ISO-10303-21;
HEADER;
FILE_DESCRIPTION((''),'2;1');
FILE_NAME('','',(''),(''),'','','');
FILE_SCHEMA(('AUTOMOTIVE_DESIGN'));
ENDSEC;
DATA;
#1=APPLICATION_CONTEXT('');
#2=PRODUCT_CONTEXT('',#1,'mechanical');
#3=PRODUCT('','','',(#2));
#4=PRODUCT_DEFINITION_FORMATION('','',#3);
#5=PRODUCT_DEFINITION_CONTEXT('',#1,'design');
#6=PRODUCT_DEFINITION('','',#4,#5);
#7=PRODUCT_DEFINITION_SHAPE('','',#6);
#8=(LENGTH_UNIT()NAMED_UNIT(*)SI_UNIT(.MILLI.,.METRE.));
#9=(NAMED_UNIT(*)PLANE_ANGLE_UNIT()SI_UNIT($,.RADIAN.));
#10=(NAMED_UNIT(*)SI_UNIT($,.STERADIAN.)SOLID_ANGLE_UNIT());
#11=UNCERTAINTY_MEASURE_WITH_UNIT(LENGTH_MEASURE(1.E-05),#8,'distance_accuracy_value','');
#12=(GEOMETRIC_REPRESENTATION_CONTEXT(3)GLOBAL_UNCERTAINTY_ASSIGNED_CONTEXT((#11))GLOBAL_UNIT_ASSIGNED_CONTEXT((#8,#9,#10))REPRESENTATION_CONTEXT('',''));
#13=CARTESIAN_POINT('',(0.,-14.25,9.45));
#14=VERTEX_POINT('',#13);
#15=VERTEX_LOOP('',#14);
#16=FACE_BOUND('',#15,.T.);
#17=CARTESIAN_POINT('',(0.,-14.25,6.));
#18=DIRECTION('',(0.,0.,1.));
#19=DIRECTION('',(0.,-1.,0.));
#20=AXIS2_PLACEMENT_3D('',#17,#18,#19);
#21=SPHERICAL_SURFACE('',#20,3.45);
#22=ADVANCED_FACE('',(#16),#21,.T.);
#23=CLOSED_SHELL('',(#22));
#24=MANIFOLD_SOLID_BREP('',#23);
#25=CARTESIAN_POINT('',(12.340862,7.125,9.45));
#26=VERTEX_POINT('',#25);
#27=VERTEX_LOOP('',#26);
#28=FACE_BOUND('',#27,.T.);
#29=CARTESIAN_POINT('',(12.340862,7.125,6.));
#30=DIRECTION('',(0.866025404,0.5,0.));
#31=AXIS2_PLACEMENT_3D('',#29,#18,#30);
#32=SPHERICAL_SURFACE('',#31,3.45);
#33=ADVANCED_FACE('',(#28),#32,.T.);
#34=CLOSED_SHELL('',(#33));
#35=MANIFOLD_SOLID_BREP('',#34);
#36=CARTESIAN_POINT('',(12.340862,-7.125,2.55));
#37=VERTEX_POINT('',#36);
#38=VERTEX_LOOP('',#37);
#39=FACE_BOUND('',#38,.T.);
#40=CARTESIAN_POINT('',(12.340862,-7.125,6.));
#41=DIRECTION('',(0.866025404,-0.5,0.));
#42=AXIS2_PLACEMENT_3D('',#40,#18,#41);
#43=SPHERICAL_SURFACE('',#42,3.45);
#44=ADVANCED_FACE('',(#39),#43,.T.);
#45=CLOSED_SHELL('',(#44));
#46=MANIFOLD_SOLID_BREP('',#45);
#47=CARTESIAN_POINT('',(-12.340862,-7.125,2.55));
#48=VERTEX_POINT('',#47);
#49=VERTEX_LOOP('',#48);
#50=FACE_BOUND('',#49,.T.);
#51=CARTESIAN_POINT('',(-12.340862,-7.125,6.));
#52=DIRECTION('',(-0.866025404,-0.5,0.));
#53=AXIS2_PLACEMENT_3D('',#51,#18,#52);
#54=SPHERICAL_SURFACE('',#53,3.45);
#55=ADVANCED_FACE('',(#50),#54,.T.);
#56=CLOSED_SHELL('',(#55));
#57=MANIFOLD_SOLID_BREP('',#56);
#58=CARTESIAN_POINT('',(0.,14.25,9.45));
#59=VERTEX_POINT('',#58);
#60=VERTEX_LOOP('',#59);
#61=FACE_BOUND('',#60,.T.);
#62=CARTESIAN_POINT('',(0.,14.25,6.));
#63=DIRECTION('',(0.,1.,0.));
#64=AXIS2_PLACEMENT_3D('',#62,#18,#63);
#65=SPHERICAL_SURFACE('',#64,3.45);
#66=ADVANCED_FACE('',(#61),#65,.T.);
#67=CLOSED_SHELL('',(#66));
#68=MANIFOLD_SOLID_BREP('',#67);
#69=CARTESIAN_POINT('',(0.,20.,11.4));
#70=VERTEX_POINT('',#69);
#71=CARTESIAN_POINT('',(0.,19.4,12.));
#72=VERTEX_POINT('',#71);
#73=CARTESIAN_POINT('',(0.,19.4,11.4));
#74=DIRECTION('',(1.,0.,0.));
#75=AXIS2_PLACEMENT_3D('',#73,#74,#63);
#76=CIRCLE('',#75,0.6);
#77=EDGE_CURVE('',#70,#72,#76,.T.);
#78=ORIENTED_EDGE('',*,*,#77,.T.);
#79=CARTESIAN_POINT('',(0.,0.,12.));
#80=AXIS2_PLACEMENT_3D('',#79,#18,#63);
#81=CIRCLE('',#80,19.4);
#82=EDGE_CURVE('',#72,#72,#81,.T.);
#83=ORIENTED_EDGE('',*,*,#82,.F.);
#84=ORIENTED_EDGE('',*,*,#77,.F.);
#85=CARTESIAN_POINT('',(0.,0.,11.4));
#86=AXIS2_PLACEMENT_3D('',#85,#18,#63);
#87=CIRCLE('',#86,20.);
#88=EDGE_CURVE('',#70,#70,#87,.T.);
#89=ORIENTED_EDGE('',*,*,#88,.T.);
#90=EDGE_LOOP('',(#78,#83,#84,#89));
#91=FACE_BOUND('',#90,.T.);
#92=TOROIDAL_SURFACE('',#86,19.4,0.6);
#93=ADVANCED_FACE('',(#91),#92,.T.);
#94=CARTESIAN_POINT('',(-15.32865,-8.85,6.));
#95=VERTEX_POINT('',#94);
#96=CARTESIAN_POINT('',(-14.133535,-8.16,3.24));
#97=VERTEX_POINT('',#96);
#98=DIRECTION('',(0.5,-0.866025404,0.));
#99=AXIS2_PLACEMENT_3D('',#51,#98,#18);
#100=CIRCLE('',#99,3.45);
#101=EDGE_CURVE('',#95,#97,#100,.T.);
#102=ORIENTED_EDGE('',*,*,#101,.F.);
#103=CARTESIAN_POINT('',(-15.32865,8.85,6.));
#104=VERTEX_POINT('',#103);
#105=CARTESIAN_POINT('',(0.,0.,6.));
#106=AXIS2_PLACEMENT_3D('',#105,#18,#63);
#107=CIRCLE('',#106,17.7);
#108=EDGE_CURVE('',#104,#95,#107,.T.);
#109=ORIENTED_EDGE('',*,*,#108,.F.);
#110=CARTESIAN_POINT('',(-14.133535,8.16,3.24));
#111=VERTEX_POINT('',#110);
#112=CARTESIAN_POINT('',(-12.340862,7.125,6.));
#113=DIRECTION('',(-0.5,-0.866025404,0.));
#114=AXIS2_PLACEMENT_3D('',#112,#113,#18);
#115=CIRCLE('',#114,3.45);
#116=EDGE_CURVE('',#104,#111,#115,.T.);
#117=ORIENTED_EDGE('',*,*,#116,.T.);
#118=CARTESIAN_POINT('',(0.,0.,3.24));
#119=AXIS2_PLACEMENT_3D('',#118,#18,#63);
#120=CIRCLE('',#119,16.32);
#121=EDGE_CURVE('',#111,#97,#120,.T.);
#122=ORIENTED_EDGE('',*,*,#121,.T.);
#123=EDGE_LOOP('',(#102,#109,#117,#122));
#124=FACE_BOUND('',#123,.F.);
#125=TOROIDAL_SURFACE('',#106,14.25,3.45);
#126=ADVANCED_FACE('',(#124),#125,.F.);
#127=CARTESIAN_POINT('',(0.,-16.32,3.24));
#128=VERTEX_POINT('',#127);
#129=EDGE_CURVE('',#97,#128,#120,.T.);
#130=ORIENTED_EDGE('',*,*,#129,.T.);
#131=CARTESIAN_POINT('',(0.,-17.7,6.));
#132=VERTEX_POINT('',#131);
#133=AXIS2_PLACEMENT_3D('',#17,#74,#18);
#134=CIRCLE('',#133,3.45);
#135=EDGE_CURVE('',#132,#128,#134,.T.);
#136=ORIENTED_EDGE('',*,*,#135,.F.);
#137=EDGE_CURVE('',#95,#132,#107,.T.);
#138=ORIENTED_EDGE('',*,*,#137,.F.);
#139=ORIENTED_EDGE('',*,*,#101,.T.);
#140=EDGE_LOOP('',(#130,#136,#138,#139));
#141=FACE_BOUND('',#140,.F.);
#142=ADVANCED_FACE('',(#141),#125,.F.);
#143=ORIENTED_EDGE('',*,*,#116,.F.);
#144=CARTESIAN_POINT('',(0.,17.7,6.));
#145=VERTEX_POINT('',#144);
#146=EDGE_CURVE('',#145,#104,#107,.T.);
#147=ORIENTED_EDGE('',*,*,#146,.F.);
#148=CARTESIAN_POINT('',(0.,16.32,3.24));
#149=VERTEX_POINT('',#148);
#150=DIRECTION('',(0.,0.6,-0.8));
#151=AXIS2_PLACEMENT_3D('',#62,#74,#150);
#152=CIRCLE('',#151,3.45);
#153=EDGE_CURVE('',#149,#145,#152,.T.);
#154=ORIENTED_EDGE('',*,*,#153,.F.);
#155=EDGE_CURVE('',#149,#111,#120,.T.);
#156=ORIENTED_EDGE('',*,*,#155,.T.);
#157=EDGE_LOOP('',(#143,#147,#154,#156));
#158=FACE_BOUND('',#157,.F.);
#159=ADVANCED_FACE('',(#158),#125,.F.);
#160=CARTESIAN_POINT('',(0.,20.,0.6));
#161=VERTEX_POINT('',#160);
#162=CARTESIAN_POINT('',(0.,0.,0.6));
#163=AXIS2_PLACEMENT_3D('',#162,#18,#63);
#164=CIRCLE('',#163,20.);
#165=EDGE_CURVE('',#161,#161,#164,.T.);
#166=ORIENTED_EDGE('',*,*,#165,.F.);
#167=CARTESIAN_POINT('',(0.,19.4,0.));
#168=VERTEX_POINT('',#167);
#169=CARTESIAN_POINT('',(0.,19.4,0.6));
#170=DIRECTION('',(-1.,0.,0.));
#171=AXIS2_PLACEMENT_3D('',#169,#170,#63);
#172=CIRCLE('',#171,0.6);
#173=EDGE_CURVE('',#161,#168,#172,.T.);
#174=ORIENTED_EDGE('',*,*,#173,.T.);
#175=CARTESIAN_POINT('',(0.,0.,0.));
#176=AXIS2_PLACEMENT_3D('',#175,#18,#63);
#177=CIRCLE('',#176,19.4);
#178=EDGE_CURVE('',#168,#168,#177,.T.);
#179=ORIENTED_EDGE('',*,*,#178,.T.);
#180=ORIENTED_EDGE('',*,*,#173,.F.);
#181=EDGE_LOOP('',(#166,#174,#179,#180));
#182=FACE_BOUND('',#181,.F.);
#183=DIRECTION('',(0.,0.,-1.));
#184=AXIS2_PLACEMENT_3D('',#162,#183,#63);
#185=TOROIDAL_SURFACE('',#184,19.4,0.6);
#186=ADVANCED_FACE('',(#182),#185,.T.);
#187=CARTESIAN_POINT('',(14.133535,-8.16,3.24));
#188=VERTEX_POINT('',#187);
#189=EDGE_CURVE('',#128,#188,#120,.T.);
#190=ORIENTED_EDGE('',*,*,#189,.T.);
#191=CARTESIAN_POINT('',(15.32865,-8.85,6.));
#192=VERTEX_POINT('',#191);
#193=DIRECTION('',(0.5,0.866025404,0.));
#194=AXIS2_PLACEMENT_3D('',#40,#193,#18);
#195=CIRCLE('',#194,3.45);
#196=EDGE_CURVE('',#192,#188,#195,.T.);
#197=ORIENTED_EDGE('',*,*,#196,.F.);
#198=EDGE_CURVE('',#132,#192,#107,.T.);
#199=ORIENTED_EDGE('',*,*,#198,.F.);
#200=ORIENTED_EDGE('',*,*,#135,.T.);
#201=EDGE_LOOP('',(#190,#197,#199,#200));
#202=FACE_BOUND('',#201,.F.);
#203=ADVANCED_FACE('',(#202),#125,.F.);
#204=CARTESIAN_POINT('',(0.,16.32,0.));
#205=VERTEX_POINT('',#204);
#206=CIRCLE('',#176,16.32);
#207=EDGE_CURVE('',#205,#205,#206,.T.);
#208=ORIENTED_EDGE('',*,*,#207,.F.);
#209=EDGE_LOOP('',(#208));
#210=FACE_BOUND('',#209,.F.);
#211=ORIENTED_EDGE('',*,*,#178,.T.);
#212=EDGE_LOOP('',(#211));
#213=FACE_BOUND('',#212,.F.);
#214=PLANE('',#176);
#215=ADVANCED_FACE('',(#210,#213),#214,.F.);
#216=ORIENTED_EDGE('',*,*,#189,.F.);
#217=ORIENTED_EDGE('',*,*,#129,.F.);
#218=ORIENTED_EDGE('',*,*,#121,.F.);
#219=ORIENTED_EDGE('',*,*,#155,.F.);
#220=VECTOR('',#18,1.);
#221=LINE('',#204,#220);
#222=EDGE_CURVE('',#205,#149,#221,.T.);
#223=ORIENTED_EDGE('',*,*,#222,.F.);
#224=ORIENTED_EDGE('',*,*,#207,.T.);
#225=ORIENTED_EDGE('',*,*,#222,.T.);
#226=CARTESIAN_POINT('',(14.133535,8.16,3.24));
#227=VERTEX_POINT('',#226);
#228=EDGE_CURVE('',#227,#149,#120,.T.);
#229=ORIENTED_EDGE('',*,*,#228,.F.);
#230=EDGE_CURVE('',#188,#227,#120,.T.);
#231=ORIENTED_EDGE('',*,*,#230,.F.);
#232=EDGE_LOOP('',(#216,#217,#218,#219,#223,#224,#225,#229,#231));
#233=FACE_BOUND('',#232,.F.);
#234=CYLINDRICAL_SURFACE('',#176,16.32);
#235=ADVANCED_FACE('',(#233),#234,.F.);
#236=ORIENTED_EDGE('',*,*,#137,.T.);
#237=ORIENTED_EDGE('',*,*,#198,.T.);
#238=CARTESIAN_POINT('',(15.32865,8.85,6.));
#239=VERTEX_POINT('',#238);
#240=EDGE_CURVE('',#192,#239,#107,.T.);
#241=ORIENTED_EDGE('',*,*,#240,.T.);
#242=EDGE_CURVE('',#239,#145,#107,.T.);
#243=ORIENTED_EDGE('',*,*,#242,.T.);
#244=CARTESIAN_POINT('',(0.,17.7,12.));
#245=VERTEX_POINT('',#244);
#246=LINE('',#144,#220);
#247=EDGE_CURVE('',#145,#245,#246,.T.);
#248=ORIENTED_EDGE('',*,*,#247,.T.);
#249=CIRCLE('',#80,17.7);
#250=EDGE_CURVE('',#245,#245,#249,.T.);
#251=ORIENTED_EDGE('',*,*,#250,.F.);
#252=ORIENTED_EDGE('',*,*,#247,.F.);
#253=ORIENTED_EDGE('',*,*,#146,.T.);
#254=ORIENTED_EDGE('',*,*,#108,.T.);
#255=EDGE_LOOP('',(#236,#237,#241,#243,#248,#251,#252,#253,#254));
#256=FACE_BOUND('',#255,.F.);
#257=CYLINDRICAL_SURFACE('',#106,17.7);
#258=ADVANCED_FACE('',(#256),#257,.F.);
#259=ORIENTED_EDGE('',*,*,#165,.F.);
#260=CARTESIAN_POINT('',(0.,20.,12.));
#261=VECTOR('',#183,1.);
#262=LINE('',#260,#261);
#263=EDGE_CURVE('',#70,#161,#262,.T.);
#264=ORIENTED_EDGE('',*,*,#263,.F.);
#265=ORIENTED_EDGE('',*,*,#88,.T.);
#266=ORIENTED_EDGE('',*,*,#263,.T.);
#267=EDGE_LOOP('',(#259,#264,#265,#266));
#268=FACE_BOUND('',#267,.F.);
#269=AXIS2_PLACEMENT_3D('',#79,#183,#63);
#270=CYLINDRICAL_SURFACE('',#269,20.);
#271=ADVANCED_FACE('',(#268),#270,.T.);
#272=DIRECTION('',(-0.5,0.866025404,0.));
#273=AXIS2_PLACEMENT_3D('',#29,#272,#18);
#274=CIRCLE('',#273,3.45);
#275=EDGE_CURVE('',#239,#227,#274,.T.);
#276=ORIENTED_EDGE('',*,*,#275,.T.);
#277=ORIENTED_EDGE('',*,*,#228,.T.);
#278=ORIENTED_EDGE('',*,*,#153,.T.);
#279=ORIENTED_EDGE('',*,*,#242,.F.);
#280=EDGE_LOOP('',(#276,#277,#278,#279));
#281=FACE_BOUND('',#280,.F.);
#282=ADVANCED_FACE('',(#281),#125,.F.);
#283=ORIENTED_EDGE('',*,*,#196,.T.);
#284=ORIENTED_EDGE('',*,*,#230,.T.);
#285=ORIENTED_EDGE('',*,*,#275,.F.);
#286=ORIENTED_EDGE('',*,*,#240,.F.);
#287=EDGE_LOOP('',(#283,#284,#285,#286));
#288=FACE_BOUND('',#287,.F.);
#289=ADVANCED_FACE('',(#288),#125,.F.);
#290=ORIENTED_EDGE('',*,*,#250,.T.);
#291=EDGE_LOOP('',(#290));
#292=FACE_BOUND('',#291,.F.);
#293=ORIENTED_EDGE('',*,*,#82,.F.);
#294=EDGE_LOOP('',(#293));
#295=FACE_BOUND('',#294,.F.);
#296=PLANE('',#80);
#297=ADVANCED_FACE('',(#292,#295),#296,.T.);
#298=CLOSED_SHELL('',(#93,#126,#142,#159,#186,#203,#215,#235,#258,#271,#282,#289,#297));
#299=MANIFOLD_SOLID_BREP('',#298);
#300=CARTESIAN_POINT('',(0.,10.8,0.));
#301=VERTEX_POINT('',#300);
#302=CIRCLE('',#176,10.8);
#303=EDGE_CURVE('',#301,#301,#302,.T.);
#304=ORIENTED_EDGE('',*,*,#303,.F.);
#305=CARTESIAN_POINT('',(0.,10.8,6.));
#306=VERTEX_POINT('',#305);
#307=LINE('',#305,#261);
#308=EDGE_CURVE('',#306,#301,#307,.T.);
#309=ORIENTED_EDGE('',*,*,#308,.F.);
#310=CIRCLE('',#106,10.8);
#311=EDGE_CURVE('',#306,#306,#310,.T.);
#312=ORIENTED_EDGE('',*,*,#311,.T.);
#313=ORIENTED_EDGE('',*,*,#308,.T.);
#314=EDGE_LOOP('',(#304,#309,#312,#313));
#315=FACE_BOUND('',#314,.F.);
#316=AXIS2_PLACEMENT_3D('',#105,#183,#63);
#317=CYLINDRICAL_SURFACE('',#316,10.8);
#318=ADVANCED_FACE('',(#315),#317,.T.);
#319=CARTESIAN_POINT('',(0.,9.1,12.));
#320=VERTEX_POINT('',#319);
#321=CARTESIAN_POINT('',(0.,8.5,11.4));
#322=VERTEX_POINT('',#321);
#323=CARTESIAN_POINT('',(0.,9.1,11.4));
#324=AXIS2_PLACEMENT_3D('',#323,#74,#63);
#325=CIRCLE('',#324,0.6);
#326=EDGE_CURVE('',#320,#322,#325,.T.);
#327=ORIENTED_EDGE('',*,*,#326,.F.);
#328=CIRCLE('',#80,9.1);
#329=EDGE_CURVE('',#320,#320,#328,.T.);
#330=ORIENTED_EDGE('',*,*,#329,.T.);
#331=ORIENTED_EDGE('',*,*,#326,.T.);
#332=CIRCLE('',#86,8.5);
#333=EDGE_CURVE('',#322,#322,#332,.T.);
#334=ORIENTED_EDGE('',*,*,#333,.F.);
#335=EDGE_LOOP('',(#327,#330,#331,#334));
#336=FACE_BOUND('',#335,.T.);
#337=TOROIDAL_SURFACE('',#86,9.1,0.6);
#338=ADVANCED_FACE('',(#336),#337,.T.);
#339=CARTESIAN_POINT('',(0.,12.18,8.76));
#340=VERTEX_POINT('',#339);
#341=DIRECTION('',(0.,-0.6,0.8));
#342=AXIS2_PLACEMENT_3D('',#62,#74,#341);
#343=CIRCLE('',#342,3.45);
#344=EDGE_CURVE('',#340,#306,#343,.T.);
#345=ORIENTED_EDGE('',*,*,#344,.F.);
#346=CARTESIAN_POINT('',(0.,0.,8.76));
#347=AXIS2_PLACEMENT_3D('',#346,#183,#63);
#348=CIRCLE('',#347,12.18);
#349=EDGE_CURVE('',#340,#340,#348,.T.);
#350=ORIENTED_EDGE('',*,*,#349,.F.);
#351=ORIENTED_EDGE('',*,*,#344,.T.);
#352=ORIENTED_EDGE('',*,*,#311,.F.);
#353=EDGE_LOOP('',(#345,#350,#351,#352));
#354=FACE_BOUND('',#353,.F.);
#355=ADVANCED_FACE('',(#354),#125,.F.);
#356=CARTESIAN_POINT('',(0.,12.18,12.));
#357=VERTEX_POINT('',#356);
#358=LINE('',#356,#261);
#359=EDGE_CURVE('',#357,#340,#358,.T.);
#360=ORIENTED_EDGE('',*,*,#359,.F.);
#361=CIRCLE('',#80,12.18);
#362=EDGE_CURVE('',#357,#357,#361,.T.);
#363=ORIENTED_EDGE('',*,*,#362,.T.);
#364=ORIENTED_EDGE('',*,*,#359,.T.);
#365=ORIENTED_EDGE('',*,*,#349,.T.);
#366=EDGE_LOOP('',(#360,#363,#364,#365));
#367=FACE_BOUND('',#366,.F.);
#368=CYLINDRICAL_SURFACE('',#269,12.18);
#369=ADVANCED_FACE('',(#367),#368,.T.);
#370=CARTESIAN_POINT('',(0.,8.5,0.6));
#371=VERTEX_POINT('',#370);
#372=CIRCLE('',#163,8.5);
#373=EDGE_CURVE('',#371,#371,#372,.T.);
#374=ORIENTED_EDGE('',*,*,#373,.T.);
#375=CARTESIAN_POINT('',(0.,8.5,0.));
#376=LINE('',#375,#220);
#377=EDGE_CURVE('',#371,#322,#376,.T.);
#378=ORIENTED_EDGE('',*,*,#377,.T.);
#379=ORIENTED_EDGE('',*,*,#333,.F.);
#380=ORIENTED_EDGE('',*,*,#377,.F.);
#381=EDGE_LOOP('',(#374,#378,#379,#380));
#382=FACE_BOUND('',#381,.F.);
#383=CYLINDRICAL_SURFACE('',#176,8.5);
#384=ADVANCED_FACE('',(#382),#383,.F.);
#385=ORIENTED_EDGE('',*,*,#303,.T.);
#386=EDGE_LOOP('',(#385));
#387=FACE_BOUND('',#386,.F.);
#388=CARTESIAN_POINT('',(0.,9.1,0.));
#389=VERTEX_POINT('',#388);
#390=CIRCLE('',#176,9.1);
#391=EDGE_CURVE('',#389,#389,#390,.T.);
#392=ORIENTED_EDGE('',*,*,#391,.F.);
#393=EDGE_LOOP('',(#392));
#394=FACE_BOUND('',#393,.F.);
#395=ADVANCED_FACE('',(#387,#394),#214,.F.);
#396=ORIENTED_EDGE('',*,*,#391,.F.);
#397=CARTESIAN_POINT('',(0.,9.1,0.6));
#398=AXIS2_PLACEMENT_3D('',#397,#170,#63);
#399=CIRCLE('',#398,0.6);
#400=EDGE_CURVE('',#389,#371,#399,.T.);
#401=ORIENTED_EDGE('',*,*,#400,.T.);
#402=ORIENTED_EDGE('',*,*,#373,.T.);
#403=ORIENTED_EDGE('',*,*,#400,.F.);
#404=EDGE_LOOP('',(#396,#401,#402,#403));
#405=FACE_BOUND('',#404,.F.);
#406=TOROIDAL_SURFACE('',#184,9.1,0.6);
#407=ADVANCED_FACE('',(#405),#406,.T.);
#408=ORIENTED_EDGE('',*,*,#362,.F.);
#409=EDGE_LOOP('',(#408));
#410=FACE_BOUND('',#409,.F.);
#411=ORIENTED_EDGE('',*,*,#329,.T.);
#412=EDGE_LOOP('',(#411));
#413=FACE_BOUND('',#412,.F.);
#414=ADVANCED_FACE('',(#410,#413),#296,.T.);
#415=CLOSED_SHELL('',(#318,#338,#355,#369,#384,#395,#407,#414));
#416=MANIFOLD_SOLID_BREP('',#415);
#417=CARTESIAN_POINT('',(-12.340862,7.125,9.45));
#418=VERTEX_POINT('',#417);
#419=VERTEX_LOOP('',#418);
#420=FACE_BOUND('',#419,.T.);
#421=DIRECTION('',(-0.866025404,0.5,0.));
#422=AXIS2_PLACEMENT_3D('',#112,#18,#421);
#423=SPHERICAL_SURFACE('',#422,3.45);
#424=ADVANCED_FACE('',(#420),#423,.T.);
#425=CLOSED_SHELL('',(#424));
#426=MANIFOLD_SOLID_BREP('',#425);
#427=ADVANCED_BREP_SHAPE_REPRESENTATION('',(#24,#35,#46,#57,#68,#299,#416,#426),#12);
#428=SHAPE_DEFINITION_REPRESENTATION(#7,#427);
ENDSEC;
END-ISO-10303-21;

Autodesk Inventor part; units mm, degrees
ref_plane "WorkPlane1" through (0, 0, 0) normal (0, 0, 1) x (1, 0, 0)
ref_plane "Work Plane2" through (0, 0, -12) normal (0, 0, 1) x (1, 0, 0)
ref_plane "WorkPlane2" through (0, 0, 14) normal (0, 0, 1) x (1, 0, 0)
sketch "Sketch1" plane through (0, 0, 0) normal (-1, 0, 0) x (0, -1, 0)
  point P0 (0, 0)
sketch "Sketch2" plane through (0, 0, 0) normal (0, 0, 1) x (1, 0, 0)
  point P0 (0, 0)
sketch "Sketch3" plane through (0, 0, 14) normal (0, 0, 1) x (1, 0, 0)
  point P0 (0, 0)
sketch "Sketch4" plane through (0, 0, 0) normal (1, 0, 0) x (0, 1, 0)
  line L0 (20, 0) -> (8.5, 0)
  line L1 (20, 12) -> (20, 0)
  line L2 (8.5, 12) -> (20, 12)
  line L3 (8.5, 0) -> (8.5, 12)
  line L4 (0, -3.737) -> (0, 15.9311) construction
  line L5 (0, -3.737) -> (0, 15.9311)
  line L6 (0, -7.6706) -> (0, 19.8647) projected
  line L7 (-4.7, 0) -> (28.2, 0) projected
  dimension "d2" = 8.5
  dimension "d4" = 20
  dimension "d6" = 12
revolve "Revolution1" add sketch "Sketch4" angle 360 about axis through (0, 0, -3.737) along (0, 0, 1)
sketch "Sketch5" plane through (0, 0, 0) normal (1, 0, 0) x (0, 1, 0)
  line L0 (17.7, 12) -> (12.18, 12)
  line L1 (17.7, 6) -> (17.7, 12)
  arc A0 (16.32, 3.24) -> (17.7, 6) centre (14.25, 6) ccw
  line L2 (16.32, 0) -> (16.32, 3.24)
  line L3 (10.8, 0) -> (16.32, 0)
  line L4 (10.8, 6) -> (10.8, 0)
  arc A1 (12.18, 8.76) -> (10.8, 6) centre (14.25, 6) ccw
  line L5 (12.18, 12) -> (12.18, 8.76)
  circle A2 centre (14.25, 6) radius 3.45 construction
  line L6 (20, 0) -> (-20, 0) construction
  line L7 (20, 12) -> (-20, 12) construction
  line L8 (0, 40.9632) -> (0, -26.9632)
  line L9 (0, -40.5485) -> (0, 54.5485) projected
  dimension "d9" = 6
  dimension "d11" = 6.9
  dimension "d21" = 28.5
  dimension "d22" = 24.36
  dimension "d23" = 32.64
revolve "Revolution2" cut sketch "Sketch5" angle 360 about axis through (0, 0, 40.9632) along (0, 0, 1)
sketch "Sketch6" plane through (0, 0, 0) normal (1, 0, 0) x (0, 1, 0)
  line L0 (14.25, 2.55) -> (14.25, 9.45)
  arc A0 (14.25, 2.55) -> (14.25, 9.45) centre (14.25, 6) ccw
  line L1 (14.25, 14.1754) -> (14.25, -2.0126) construction
  line L2 (20, 0) -> (-20, 0) construction
  line L3 (14.25, 14.1754) -> (14.25, -2.0126)
  arc A1 (12.18, 8.76) -> (10.8, 6) centre (14.25, 6) ccw projected
  line L4 (17.7, 6) -> (-17.7, 6) projected
  dimension "d14" = 3.45
revolve "Revolution3" add sketch "Sketch6" angle 360 about axis through (0, 14.25, 14.1754) along (0, 0, 1)
pattern_circular "PolarArray1" count 6 over 360 about axis through (0, 0, 0) along (0, 0, 1) of "Revolution3"
fillet "Fillet1" radius 0.6 1 edges at (0, -20, 12)
fillet "Fillet2" radius 0.6 3 edges at (0, -20, 0) (0, -8.5, 12) (0, -8.5, 0)
equation "\"d19\" = r1"
equation "\"d20\" = r"
equation "\"d2\" = 0.5 * Diam"
equation "\"d4\" = 0.5 * DD"
equation "\"d6\" = B"
equation "\"d9\" = 0.5 * B"
equation "\"d11\" = msp_mdtdk"
equation "\"d21\" = msp_mdtds"
equation "\"d22\" = msp_md"
equation "\"d23\" = msp_vd"
equation "\"d14\" = 0.5 * msp_mdtdk"
equation "\"Diam\" = 17"
equation "\"B\" = 12"
equation "\"r\" = 0.6"
equation "\"msp_mdtdk\" = -0.3 * Diam + 0.3 * DD"
equation "\"msp_mdtds\" = 0.5 * DD + 0.5 * Diam"
equation "\"msp_md\" = msp_mdtds - 0.6 * msp_mdtdk"
equation "\"msp_vd\" = msp_mdtds + 0.6 * msp_mdtdk"
equation "\"r1\" = 0.6"
equation "\"DD\" = 40"
properties part number "SKF B7203 BE" material "Steel, Mild"
